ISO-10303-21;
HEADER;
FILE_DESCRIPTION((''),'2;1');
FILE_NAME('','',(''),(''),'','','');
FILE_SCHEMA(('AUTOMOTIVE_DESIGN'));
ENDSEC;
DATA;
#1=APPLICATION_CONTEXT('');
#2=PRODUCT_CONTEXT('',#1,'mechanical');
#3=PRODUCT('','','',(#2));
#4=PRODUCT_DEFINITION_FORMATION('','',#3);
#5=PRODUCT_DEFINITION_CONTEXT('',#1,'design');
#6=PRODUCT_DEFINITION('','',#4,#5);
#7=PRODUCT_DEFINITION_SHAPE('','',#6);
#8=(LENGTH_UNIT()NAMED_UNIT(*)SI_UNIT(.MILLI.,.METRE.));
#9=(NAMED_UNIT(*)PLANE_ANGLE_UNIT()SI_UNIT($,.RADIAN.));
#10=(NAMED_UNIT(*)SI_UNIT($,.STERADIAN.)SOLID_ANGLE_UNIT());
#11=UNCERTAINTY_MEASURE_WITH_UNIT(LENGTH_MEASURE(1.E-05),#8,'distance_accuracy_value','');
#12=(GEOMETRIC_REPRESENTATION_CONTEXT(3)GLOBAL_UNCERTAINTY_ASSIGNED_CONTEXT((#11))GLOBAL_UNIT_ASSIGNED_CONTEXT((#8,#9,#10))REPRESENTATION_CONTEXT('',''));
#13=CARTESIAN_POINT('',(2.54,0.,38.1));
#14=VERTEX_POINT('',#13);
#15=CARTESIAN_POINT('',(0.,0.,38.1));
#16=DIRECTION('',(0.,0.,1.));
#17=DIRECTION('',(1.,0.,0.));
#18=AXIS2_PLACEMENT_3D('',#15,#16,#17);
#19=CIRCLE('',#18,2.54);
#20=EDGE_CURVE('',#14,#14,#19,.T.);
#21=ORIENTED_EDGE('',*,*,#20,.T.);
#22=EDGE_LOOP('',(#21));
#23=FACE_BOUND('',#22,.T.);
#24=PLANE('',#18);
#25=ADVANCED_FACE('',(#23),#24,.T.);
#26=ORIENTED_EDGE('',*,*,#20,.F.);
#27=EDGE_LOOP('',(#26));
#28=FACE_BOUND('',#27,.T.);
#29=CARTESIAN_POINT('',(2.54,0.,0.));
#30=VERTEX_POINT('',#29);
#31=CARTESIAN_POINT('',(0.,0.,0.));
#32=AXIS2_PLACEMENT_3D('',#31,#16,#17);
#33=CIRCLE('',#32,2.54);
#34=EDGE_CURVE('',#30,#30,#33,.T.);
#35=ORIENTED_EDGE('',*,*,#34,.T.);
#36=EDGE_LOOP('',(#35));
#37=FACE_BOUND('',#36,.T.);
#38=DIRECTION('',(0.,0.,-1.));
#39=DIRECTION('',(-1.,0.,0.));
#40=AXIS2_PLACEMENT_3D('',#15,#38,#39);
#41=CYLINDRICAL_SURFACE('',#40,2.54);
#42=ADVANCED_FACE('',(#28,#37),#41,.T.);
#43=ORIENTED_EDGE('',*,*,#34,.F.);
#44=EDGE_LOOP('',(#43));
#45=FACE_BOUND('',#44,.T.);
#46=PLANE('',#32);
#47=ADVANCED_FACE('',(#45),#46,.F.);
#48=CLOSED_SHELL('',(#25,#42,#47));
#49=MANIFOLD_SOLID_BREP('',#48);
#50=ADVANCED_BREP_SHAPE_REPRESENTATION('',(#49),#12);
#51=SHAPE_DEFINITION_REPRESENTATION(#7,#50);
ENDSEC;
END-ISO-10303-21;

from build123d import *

# Parameters (mm, degrees)
SKETCH1_R      = 2.54
EXTRUDE1_DEPTH = 38.1


with BuildPart() as part:
    # Sketch1 → Extrude1 (new body)
    with BuildSketch(Plane.XY):
        Circle(SKETCH1_R)
    extrude(amount=EXTRUDE1_DEPTH)


solid = part.part
